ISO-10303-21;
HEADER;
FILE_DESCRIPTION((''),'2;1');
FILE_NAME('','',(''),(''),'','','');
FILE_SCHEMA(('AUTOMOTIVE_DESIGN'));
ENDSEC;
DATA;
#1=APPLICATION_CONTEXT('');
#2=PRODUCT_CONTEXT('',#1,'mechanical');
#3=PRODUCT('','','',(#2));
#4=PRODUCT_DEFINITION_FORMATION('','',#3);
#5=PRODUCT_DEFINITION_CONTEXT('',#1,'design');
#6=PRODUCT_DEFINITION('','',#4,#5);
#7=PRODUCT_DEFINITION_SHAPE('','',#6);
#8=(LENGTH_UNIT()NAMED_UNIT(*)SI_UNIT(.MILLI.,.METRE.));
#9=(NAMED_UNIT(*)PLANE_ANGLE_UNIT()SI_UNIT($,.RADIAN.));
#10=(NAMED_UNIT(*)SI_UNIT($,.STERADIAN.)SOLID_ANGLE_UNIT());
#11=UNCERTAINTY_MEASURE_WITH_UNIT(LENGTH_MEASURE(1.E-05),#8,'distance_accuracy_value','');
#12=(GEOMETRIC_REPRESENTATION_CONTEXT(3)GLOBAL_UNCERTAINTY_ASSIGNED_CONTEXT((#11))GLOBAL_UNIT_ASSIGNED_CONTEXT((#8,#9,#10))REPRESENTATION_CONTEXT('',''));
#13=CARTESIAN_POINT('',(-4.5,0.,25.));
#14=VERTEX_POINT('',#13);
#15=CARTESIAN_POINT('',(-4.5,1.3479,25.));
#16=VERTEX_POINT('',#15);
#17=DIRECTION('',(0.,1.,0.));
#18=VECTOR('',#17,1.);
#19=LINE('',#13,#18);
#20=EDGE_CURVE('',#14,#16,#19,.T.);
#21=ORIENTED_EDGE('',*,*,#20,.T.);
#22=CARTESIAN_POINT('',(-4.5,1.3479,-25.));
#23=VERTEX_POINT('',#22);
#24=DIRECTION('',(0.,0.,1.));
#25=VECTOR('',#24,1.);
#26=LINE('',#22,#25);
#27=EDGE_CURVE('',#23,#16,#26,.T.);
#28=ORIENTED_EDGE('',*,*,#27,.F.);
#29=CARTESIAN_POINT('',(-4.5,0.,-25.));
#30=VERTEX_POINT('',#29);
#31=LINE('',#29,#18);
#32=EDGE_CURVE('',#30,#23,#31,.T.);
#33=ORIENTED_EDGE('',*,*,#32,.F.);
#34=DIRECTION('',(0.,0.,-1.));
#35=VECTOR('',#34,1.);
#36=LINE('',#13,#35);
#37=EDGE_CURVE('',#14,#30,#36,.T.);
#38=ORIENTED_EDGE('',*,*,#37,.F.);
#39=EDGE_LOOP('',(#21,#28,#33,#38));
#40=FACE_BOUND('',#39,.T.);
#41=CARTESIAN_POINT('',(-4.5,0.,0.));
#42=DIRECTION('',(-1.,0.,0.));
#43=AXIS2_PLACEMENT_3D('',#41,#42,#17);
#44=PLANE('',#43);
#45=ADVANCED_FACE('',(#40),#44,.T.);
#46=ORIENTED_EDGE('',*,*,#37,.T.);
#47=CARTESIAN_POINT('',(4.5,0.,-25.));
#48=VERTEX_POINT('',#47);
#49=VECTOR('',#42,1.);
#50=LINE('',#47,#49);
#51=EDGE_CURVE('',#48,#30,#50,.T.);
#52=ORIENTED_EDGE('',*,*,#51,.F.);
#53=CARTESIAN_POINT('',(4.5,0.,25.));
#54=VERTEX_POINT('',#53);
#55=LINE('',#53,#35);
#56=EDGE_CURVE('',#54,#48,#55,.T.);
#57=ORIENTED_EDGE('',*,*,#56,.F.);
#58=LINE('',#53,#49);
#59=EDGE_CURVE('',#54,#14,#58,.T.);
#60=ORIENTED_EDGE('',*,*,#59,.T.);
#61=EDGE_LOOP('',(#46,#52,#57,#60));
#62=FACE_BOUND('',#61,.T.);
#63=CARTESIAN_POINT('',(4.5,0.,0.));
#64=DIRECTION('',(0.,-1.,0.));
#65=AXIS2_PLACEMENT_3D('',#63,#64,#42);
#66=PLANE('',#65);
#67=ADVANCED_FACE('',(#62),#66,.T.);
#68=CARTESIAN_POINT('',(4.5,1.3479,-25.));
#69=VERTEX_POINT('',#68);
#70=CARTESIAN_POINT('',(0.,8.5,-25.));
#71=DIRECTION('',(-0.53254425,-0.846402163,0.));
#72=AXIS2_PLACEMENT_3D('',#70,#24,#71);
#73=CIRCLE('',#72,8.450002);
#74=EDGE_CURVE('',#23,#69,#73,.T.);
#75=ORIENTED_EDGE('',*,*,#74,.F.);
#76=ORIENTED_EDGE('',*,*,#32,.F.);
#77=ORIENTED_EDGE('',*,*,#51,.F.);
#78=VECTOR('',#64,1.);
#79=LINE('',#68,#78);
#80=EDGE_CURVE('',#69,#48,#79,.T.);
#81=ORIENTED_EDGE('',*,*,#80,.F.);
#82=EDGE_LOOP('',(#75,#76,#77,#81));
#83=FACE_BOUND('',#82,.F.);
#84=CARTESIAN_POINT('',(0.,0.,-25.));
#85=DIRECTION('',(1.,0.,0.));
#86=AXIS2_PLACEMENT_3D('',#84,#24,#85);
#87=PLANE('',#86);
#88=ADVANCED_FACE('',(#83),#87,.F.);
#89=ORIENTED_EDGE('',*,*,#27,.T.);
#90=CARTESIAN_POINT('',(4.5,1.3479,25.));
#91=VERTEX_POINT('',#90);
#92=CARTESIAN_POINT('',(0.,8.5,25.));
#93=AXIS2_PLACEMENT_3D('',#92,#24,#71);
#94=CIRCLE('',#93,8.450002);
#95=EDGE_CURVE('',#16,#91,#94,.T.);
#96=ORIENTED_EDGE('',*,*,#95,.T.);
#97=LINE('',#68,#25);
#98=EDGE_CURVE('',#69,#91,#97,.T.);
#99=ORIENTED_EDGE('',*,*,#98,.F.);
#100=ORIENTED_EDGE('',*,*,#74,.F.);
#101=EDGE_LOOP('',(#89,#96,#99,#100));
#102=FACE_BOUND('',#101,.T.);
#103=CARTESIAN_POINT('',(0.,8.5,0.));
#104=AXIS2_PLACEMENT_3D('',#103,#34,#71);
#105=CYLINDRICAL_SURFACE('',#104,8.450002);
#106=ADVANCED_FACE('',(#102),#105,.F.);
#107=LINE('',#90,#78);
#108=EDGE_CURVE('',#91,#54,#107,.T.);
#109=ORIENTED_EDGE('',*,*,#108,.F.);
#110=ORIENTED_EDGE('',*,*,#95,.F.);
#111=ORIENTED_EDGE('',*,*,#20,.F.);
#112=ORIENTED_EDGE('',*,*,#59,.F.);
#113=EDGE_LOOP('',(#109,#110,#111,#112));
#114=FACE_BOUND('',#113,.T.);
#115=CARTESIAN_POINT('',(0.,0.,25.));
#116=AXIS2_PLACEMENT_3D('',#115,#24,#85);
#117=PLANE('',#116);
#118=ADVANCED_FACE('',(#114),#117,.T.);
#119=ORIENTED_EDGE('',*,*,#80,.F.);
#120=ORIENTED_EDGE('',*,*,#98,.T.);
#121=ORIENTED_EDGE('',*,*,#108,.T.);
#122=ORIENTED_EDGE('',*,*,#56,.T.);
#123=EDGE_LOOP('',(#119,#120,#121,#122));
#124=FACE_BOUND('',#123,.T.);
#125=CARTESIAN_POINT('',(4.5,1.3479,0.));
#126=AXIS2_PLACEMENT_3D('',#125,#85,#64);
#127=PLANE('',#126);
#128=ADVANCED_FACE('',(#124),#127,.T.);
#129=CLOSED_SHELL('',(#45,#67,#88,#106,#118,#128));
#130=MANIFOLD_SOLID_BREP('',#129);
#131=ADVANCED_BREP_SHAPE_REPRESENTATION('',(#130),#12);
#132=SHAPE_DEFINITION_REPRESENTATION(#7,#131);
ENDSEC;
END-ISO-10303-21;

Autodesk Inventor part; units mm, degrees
ref_plane "YZ Plane" through (0, 0, 0) normal (1, 0, 0) x (0, 1, 0)
ref_plane "XZ Plane" through (0, 0, 0) normal (0, 1, 0) x (-1, 0, 0)
ref_plane "XY Plane" through (0, 0, 0) normal (0, 0, 1) x (1, 0, 0)
sketch "Sketch1" plane through (0, 0, 0) normal (0, 0, 1) x (1, 0, 0)
  line L0 (4.5, 1.3479) -> (4.5, 0)
  line L1 (4.5, 0) -> (-4.5, 0)
  line L2 (-4.5, 0) -> (-4.5, 1.3479)
  arc A0 (-4.5, 1.3479) -> (4.5, 1.3479) centre (0, 8.5) ccw
  point P0 (0, 0)
  point P1 (0, 0)
  point P2 (0, 0.05)
  dimension "d0" = 9
  dimension "d1" = 8.45
  dimension "d2" = 8.5
extrude "Extrusion1" add sketch "Sketch1" along normal mid plane 50
properties part number "epoxy_under-battery"
